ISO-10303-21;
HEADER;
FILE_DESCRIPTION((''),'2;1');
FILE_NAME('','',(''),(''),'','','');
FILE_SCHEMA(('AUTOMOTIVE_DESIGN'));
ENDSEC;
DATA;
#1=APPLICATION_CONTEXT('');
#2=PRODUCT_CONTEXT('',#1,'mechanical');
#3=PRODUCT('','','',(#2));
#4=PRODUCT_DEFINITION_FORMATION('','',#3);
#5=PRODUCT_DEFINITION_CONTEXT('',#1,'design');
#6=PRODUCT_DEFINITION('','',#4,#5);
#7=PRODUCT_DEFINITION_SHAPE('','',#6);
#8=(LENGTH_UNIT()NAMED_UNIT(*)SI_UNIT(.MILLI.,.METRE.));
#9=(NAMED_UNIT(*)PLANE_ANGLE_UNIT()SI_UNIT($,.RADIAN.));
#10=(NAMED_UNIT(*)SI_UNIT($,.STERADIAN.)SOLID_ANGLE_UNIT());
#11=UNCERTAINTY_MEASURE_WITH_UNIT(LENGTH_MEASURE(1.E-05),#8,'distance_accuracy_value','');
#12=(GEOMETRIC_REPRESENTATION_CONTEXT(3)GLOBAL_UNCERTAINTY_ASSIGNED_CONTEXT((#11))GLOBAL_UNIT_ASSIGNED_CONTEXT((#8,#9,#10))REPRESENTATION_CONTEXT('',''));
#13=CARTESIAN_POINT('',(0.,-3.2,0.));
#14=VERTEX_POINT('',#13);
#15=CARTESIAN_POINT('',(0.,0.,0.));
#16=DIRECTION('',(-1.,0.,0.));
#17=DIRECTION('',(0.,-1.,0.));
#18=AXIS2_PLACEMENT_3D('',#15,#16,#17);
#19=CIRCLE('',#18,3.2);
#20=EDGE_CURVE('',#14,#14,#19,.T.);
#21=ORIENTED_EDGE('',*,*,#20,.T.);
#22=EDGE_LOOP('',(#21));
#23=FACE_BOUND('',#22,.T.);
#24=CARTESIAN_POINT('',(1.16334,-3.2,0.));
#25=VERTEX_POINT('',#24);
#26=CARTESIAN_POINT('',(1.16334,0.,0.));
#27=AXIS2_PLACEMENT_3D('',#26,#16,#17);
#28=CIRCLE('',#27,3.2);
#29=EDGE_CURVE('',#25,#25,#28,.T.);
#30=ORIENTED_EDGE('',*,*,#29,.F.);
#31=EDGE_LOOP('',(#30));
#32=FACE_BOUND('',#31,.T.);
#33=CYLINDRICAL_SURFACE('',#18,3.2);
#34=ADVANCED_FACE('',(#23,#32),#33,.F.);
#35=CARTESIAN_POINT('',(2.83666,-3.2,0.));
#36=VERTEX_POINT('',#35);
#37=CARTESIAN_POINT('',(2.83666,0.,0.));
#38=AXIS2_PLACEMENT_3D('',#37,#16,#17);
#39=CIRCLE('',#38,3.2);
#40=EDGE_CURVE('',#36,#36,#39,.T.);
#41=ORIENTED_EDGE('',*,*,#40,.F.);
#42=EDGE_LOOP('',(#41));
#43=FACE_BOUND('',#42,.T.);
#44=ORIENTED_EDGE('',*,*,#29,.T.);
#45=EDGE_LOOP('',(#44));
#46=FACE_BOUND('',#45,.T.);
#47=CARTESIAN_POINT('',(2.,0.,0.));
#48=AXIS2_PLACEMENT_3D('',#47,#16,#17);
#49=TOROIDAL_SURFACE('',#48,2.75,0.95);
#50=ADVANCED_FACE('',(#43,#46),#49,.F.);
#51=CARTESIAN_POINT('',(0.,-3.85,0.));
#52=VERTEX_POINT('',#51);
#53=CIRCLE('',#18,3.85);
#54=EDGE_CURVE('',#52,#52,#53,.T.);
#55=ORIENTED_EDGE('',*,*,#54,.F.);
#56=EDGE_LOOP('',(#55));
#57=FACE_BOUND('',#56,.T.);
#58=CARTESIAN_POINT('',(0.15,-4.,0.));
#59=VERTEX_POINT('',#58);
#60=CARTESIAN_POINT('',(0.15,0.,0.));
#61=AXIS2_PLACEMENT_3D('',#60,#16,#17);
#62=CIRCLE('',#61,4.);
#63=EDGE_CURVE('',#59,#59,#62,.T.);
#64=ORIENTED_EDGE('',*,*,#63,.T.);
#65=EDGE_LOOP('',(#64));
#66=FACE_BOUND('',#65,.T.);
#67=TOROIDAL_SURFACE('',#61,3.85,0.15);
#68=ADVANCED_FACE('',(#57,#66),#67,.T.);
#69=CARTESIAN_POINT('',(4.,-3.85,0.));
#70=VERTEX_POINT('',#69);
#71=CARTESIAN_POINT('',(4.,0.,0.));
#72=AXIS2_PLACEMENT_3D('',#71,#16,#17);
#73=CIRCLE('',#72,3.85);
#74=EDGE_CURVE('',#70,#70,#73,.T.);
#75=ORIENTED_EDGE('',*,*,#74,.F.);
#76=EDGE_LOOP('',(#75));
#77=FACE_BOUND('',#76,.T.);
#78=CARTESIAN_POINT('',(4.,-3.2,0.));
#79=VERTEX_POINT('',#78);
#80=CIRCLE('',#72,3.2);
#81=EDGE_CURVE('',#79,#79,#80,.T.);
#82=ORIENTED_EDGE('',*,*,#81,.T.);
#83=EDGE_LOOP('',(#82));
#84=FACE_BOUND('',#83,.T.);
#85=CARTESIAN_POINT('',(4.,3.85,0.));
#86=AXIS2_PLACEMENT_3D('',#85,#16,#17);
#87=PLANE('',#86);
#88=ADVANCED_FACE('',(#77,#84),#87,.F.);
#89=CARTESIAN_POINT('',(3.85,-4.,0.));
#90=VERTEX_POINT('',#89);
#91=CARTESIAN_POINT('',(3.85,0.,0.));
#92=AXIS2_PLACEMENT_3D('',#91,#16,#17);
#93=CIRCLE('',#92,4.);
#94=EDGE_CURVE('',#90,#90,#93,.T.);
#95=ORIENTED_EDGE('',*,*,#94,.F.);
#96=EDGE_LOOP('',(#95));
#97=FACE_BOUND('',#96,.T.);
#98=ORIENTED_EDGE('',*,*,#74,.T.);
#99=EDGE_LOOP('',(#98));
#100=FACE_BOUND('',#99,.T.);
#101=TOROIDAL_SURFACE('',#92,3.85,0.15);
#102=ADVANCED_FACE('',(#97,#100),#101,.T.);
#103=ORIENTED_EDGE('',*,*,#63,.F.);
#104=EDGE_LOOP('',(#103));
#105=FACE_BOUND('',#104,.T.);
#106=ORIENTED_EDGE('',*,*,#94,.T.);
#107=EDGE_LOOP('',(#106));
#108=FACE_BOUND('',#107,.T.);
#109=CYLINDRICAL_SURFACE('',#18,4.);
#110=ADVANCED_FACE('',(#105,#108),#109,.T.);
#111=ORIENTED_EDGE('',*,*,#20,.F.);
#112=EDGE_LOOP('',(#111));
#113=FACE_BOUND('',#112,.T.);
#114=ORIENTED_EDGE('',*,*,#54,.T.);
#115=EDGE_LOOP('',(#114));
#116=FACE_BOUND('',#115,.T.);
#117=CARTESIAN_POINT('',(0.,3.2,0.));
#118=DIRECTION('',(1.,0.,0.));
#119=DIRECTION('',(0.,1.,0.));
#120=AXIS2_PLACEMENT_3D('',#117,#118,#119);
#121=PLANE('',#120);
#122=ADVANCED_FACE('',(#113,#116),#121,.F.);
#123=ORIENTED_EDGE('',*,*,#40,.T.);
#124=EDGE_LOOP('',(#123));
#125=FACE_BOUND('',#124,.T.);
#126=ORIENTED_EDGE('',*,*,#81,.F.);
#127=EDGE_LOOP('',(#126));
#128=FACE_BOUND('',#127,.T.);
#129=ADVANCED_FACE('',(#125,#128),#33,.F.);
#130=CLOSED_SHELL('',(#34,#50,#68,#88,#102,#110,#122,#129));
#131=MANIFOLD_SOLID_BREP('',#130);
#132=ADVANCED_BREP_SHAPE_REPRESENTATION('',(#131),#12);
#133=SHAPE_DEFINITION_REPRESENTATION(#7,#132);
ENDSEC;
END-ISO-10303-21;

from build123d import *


with BuildPart() as part:
    # Esquisse1 → Révolution1 (revolve)
    with BuildSketch(Plane.XY, mode=Mode.PRIVATE) as r_volution1_sk:
        with BuildLine():
            Line((0.15, 4), (3.85, 4))
            ThreePointArc((3.85, 4), (3.956066017, 3.956066017), (4, 3.85))
            Line((4, 3.85), (4, 3.2))
            Line((4, 3.2), (2.836660027, 3.2))
            ThreePointArc((2.836660027, 3.2), (2, 3.7), (1.163339973, 3.2))
            Line((1.163339973, 3.2), (0, 3.2))
            Line((0, 3.2), (0, 3.85))
            ThreePointArc((0, 3.85), (0.043933983, 3.956066017), (0.15, 4))
        make_face()
    revolve(r_volution1_sk.sketch.rotate(Axis((0, 0, 0), (1, 0, 0)), 180), axis=Axis((0, 0, 0), (1, 0, 0)))


solid = part.part
